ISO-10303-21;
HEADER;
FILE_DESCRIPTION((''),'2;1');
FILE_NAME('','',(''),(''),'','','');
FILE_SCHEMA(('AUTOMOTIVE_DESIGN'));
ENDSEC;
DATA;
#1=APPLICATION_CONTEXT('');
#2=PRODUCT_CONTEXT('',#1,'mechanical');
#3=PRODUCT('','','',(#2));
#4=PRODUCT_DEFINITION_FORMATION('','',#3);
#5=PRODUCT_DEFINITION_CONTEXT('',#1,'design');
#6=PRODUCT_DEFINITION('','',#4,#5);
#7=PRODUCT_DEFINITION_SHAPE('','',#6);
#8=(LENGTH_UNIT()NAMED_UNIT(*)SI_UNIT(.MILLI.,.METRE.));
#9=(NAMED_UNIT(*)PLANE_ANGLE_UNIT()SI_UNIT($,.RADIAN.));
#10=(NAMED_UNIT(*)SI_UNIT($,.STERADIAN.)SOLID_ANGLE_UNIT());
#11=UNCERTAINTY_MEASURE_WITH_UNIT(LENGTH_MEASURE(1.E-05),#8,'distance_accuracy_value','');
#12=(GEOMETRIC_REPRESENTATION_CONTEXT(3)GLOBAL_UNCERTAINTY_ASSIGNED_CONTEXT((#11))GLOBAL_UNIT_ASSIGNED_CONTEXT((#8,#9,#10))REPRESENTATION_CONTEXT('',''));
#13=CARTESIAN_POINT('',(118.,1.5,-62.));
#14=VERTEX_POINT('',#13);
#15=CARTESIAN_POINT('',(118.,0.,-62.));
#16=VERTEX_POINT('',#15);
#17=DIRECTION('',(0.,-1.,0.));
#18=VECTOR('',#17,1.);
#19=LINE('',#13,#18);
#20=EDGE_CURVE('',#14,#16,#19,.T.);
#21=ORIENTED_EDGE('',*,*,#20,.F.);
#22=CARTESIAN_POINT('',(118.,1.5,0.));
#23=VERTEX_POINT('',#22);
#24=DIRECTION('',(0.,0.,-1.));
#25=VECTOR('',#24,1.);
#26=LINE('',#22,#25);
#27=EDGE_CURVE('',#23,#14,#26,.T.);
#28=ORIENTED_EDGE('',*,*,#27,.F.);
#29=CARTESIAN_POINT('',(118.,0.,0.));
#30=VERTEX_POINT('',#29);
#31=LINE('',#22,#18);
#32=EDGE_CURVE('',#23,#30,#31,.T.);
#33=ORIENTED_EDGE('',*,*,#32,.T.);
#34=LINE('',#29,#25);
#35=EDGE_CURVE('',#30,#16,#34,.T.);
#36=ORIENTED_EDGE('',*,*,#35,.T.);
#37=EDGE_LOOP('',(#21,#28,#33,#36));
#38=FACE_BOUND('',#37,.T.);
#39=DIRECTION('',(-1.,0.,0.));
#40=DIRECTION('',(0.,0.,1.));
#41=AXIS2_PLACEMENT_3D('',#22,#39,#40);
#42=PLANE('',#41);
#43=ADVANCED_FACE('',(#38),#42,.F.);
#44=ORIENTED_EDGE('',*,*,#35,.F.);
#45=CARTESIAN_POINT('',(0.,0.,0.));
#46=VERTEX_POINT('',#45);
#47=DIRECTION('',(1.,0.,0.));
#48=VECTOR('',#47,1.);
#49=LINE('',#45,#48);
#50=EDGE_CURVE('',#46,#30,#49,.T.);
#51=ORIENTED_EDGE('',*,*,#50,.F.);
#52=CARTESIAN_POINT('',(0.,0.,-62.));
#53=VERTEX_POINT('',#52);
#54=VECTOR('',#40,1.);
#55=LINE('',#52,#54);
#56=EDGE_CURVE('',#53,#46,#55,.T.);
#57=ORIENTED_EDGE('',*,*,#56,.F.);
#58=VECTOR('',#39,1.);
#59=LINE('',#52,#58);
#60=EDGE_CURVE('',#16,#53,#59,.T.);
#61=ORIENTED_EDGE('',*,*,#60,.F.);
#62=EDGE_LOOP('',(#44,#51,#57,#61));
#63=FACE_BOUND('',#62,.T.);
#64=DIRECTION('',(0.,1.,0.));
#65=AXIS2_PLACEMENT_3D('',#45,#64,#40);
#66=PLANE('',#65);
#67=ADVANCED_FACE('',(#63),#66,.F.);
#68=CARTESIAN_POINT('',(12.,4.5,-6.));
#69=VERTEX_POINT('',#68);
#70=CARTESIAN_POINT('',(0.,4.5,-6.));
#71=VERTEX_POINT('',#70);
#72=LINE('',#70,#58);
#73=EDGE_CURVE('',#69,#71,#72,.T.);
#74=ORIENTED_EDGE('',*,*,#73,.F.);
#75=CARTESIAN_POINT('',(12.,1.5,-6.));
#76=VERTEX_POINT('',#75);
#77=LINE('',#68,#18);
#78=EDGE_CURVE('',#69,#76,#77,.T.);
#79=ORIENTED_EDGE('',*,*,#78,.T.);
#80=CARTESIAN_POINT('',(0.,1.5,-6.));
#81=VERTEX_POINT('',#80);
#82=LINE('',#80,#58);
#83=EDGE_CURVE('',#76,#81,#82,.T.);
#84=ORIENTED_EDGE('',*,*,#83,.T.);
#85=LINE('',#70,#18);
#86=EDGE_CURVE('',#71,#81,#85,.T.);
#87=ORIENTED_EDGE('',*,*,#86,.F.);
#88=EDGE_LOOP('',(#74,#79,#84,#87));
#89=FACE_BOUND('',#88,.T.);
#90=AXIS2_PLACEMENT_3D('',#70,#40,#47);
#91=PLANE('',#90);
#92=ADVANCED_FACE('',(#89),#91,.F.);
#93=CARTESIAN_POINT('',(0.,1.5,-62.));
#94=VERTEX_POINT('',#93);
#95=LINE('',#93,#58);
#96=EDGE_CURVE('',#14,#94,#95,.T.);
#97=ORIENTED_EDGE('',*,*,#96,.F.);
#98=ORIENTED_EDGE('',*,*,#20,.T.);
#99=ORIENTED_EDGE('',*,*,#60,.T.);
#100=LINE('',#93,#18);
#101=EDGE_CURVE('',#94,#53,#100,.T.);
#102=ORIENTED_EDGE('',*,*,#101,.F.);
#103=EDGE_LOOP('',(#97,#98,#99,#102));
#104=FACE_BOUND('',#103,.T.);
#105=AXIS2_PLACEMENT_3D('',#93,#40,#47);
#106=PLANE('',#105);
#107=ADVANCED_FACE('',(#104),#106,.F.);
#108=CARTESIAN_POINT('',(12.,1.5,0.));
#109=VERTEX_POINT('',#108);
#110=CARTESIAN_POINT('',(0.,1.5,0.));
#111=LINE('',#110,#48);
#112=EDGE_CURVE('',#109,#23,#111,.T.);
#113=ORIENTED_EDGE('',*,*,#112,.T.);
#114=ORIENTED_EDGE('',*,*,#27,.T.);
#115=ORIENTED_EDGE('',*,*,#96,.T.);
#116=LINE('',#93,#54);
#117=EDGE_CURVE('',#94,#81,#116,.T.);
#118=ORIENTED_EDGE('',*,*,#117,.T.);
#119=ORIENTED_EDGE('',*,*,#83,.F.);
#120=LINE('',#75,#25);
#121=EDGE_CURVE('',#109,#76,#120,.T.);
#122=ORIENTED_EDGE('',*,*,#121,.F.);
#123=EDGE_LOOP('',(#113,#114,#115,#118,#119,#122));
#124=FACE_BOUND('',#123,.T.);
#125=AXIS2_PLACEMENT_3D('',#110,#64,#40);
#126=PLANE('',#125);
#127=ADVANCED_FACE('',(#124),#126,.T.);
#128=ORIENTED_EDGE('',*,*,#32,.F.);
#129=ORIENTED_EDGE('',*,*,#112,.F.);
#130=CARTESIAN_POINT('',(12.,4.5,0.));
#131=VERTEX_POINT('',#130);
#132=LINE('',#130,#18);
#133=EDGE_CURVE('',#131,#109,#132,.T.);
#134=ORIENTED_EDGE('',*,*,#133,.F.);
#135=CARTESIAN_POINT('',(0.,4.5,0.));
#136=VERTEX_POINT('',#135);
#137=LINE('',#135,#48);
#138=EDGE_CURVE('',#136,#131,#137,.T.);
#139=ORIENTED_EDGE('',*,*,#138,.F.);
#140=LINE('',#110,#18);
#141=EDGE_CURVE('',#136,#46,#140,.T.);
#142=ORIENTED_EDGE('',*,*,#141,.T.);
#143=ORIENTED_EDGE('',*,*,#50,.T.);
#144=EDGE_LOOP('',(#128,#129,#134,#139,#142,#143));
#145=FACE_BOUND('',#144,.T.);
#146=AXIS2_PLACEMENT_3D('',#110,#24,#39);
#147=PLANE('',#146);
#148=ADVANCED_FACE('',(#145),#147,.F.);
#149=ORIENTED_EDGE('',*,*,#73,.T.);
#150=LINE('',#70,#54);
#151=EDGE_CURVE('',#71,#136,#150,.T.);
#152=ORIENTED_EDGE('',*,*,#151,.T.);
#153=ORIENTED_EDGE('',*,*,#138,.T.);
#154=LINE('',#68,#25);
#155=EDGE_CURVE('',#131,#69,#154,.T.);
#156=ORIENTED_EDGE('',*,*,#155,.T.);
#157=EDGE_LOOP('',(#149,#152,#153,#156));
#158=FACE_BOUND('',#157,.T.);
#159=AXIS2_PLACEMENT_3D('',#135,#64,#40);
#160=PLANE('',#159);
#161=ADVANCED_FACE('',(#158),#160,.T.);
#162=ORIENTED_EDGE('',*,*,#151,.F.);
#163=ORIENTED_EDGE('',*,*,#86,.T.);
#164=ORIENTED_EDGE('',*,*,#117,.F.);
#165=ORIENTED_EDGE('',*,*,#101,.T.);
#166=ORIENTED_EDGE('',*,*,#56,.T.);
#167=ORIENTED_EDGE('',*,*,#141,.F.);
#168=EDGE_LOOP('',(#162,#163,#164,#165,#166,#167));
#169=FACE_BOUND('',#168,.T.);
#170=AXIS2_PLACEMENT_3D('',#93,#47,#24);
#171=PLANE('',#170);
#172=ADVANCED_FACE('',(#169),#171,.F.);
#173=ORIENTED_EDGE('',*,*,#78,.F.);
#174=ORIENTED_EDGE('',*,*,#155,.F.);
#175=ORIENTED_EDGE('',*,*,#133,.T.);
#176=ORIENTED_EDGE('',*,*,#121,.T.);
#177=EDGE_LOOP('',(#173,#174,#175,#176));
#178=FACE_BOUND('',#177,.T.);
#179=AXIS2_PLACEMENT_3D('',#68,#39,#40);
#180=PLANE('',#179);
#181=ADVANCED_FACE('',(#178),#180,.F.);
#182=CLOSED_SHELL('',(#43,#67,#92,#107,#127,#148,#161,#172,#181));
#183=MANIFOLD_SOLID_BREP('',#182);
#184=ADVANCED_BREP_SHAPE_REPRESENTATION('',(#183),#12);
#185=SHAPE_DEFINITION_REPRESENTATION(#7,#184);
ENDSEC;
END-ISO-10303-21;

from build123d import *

# Parameters (mm, degrees)
CROQUIS1_W              = 118
CROQUIS1_H              = 62
SALIENTE_EXTRUIR1_DEPTH = 1.5
SKETCH_4_W              = 12
SKETCH_4_H              = 6
EXTRUDE_2_DEPTH         = 3


with BuildPart() as part:
    # Croquis1 → Saliente-Extruir1 (new body)
    with BuildSketch(Plane(origin=(0, 0, 0), x_dir=(1, 0, 0), z_dir=(0, 1, 0))):
        with Locations((59, 31)):
            Rectangle(CROQUIS1_W, CROQUIS1_H)
    extrude(amount=SALIENTE_EXTRUIR1_DEPTH)

    # 草图4 → 凸台-拉伸2 (add)
    with BuildSketch(Plane(origin=(0, 1.5, 0), x_dir=(1, 0, 0), z_dir=(0, 1, 0))):
        with Locations((6, 3)):
            Rectangle(SKETCH_4_W, SKETCH_4_H)
    extrude(amount=EXTRUDE_2_DEPTH)


solid = part.part
